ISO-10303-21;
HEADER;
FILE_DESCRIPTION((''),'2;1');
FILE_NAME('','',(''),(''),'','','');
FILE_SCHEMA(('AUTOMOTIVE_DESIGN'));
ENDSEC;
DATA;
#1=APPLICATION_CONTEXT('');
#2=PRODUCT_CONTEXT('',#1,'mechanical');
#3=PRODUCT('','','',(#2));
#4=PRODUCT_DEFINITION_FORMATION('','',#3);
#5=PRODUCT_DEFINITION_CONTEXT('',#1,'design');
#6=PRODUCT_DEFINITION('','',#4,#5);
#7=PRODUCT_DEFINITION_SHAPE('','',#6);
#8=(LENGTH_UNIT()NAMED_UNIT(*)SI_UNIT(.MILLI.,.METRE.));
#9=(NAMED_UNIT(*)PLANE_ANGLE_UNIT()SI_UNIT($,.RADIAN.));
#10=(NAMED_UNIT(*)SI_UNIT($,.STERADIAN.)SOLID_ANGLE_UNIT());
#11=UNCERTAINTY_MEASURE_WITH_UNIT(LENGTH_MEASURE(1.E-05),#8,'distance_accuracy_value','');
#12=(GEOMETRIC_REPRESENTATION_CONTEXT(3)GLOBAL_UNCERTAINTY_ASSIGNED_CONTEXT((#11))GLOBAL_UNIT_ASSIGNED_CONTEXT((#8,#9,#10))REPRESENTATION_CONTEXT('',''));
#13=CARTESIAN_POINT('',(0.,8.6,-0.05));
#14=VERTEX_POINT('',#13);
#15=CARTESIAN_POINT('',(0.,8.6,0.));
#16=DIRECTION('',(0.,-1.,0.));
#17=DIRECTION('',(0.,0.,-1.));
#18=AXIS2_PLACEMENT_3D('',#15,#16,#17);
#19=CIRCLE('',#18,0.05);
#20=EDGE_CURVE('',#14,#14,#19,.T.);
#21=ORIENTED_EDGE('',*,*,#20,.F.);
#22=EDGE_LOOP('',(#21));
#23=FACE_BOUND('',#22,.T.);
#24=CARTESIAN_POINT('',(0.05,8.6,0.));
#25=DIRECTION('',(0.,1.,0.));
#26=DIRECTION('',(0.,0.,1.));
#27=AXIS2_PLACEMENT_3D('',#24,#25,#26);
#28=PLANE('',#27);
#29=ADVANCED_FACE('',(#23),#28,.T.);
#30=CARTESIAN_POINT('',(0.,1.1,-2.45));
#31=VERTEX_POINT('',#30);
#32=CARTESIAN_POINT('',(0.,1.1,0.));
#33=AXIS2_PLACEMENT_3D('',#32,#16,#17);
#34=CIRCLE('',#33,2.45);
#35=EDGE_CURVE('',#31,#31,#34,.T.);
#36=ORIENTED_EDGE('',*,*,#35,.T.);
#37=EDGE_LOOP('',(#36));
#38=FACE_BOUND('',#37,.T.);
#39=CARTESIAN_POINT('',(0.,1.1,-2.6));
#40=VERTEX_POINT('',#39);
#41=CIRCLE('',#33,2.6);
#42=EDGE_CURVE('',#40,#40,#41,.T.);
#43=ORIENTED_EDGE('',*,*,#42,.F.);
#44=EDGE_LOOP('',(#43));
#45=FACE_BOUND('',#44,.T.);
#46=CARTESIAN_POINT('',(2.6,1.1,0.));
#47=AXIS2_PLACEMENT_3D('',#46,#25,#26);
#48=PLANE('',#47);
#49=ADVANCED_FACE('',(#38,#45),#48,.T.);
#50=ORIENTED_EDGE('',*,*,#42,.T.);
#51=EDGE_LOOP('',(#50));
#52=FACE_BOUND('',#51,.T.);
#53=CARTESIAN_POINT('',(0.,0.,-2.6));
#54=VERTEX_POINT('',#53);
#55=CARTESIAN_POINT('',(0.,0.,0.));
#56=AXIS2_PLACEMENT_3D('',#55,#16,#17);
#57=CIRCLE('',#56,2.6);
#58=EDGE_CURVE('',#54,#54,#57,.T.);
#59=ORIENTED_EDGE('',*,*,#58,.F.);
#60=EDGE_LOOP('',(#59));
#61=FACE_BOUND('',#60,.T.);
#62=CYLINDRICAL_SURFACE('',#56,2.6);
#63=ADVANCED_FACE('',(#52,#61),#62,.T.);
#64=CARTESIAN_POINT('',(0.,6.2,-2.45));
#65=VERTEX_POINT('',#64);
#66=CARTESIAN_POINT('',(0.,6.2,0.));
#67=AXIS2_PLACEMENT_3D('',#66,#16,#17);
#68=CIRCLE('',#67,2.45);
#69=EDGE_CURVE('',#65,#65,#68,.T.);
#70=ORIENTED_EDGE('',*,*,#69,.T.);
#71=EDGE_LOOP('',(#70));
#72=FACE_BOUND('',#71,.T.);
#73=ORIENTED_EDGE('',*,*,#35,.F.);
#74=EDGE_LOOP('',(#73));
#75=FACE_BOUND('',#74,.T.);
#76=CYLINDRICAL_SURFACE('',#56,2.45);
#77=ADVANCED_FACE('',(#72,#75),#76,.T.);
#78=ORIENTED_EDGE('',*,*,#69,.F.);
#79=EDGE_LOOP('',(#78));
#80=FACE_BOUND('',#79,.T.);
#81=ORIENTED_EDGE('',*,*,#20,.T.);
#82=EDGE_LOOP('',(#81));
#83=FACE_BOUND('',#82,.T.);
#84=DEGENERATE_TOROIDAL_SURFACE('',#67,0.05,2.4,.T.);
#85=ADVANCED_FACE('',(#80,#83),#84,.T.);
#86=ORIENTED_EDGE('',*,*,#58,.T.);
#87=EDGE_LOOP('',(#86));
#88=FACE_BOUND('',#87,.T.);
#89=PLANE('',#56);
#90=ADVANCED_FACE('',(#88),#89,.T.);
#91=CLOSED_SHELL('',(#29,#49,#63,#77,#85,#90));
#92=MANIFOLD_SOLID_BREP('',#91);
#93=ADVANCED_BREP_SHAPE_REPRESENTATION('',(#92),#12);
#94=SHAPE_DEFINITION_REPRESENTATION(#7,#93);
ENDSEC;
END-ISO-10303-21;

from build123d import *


with BuildPart() as part:
    # Croquis1 → Revolución1 (revolve)
    with BuildSketch(Plane.XY, mode=Mode.PRIVATE) as revoluci_n1_sk:
        with BuildLine():
            Line((0, 0), (2.6, 0))
            Line((2.6, 0), (2.6, 1.1))
            Line((2.6, 1.1), (2.45, 1.1))
            Line((2.45, 1.1), (2.45, 6.2))
            ThreePointArc((2.45, 6.2), (1.747056275, 7.897056275), (0.05, 8.6))
            Line((0.05, 8.6), (0, 8.6))
            Line((0, 8.6), (0, 0))
        make_face()
    revolve(revoluci_n1_sk.sketch.rotate(Axis((0, 0, 0), (0, 1, 0)), 90), axis=Axis((0, 0, 0), (0, 1, 0)))


solid = part.part
